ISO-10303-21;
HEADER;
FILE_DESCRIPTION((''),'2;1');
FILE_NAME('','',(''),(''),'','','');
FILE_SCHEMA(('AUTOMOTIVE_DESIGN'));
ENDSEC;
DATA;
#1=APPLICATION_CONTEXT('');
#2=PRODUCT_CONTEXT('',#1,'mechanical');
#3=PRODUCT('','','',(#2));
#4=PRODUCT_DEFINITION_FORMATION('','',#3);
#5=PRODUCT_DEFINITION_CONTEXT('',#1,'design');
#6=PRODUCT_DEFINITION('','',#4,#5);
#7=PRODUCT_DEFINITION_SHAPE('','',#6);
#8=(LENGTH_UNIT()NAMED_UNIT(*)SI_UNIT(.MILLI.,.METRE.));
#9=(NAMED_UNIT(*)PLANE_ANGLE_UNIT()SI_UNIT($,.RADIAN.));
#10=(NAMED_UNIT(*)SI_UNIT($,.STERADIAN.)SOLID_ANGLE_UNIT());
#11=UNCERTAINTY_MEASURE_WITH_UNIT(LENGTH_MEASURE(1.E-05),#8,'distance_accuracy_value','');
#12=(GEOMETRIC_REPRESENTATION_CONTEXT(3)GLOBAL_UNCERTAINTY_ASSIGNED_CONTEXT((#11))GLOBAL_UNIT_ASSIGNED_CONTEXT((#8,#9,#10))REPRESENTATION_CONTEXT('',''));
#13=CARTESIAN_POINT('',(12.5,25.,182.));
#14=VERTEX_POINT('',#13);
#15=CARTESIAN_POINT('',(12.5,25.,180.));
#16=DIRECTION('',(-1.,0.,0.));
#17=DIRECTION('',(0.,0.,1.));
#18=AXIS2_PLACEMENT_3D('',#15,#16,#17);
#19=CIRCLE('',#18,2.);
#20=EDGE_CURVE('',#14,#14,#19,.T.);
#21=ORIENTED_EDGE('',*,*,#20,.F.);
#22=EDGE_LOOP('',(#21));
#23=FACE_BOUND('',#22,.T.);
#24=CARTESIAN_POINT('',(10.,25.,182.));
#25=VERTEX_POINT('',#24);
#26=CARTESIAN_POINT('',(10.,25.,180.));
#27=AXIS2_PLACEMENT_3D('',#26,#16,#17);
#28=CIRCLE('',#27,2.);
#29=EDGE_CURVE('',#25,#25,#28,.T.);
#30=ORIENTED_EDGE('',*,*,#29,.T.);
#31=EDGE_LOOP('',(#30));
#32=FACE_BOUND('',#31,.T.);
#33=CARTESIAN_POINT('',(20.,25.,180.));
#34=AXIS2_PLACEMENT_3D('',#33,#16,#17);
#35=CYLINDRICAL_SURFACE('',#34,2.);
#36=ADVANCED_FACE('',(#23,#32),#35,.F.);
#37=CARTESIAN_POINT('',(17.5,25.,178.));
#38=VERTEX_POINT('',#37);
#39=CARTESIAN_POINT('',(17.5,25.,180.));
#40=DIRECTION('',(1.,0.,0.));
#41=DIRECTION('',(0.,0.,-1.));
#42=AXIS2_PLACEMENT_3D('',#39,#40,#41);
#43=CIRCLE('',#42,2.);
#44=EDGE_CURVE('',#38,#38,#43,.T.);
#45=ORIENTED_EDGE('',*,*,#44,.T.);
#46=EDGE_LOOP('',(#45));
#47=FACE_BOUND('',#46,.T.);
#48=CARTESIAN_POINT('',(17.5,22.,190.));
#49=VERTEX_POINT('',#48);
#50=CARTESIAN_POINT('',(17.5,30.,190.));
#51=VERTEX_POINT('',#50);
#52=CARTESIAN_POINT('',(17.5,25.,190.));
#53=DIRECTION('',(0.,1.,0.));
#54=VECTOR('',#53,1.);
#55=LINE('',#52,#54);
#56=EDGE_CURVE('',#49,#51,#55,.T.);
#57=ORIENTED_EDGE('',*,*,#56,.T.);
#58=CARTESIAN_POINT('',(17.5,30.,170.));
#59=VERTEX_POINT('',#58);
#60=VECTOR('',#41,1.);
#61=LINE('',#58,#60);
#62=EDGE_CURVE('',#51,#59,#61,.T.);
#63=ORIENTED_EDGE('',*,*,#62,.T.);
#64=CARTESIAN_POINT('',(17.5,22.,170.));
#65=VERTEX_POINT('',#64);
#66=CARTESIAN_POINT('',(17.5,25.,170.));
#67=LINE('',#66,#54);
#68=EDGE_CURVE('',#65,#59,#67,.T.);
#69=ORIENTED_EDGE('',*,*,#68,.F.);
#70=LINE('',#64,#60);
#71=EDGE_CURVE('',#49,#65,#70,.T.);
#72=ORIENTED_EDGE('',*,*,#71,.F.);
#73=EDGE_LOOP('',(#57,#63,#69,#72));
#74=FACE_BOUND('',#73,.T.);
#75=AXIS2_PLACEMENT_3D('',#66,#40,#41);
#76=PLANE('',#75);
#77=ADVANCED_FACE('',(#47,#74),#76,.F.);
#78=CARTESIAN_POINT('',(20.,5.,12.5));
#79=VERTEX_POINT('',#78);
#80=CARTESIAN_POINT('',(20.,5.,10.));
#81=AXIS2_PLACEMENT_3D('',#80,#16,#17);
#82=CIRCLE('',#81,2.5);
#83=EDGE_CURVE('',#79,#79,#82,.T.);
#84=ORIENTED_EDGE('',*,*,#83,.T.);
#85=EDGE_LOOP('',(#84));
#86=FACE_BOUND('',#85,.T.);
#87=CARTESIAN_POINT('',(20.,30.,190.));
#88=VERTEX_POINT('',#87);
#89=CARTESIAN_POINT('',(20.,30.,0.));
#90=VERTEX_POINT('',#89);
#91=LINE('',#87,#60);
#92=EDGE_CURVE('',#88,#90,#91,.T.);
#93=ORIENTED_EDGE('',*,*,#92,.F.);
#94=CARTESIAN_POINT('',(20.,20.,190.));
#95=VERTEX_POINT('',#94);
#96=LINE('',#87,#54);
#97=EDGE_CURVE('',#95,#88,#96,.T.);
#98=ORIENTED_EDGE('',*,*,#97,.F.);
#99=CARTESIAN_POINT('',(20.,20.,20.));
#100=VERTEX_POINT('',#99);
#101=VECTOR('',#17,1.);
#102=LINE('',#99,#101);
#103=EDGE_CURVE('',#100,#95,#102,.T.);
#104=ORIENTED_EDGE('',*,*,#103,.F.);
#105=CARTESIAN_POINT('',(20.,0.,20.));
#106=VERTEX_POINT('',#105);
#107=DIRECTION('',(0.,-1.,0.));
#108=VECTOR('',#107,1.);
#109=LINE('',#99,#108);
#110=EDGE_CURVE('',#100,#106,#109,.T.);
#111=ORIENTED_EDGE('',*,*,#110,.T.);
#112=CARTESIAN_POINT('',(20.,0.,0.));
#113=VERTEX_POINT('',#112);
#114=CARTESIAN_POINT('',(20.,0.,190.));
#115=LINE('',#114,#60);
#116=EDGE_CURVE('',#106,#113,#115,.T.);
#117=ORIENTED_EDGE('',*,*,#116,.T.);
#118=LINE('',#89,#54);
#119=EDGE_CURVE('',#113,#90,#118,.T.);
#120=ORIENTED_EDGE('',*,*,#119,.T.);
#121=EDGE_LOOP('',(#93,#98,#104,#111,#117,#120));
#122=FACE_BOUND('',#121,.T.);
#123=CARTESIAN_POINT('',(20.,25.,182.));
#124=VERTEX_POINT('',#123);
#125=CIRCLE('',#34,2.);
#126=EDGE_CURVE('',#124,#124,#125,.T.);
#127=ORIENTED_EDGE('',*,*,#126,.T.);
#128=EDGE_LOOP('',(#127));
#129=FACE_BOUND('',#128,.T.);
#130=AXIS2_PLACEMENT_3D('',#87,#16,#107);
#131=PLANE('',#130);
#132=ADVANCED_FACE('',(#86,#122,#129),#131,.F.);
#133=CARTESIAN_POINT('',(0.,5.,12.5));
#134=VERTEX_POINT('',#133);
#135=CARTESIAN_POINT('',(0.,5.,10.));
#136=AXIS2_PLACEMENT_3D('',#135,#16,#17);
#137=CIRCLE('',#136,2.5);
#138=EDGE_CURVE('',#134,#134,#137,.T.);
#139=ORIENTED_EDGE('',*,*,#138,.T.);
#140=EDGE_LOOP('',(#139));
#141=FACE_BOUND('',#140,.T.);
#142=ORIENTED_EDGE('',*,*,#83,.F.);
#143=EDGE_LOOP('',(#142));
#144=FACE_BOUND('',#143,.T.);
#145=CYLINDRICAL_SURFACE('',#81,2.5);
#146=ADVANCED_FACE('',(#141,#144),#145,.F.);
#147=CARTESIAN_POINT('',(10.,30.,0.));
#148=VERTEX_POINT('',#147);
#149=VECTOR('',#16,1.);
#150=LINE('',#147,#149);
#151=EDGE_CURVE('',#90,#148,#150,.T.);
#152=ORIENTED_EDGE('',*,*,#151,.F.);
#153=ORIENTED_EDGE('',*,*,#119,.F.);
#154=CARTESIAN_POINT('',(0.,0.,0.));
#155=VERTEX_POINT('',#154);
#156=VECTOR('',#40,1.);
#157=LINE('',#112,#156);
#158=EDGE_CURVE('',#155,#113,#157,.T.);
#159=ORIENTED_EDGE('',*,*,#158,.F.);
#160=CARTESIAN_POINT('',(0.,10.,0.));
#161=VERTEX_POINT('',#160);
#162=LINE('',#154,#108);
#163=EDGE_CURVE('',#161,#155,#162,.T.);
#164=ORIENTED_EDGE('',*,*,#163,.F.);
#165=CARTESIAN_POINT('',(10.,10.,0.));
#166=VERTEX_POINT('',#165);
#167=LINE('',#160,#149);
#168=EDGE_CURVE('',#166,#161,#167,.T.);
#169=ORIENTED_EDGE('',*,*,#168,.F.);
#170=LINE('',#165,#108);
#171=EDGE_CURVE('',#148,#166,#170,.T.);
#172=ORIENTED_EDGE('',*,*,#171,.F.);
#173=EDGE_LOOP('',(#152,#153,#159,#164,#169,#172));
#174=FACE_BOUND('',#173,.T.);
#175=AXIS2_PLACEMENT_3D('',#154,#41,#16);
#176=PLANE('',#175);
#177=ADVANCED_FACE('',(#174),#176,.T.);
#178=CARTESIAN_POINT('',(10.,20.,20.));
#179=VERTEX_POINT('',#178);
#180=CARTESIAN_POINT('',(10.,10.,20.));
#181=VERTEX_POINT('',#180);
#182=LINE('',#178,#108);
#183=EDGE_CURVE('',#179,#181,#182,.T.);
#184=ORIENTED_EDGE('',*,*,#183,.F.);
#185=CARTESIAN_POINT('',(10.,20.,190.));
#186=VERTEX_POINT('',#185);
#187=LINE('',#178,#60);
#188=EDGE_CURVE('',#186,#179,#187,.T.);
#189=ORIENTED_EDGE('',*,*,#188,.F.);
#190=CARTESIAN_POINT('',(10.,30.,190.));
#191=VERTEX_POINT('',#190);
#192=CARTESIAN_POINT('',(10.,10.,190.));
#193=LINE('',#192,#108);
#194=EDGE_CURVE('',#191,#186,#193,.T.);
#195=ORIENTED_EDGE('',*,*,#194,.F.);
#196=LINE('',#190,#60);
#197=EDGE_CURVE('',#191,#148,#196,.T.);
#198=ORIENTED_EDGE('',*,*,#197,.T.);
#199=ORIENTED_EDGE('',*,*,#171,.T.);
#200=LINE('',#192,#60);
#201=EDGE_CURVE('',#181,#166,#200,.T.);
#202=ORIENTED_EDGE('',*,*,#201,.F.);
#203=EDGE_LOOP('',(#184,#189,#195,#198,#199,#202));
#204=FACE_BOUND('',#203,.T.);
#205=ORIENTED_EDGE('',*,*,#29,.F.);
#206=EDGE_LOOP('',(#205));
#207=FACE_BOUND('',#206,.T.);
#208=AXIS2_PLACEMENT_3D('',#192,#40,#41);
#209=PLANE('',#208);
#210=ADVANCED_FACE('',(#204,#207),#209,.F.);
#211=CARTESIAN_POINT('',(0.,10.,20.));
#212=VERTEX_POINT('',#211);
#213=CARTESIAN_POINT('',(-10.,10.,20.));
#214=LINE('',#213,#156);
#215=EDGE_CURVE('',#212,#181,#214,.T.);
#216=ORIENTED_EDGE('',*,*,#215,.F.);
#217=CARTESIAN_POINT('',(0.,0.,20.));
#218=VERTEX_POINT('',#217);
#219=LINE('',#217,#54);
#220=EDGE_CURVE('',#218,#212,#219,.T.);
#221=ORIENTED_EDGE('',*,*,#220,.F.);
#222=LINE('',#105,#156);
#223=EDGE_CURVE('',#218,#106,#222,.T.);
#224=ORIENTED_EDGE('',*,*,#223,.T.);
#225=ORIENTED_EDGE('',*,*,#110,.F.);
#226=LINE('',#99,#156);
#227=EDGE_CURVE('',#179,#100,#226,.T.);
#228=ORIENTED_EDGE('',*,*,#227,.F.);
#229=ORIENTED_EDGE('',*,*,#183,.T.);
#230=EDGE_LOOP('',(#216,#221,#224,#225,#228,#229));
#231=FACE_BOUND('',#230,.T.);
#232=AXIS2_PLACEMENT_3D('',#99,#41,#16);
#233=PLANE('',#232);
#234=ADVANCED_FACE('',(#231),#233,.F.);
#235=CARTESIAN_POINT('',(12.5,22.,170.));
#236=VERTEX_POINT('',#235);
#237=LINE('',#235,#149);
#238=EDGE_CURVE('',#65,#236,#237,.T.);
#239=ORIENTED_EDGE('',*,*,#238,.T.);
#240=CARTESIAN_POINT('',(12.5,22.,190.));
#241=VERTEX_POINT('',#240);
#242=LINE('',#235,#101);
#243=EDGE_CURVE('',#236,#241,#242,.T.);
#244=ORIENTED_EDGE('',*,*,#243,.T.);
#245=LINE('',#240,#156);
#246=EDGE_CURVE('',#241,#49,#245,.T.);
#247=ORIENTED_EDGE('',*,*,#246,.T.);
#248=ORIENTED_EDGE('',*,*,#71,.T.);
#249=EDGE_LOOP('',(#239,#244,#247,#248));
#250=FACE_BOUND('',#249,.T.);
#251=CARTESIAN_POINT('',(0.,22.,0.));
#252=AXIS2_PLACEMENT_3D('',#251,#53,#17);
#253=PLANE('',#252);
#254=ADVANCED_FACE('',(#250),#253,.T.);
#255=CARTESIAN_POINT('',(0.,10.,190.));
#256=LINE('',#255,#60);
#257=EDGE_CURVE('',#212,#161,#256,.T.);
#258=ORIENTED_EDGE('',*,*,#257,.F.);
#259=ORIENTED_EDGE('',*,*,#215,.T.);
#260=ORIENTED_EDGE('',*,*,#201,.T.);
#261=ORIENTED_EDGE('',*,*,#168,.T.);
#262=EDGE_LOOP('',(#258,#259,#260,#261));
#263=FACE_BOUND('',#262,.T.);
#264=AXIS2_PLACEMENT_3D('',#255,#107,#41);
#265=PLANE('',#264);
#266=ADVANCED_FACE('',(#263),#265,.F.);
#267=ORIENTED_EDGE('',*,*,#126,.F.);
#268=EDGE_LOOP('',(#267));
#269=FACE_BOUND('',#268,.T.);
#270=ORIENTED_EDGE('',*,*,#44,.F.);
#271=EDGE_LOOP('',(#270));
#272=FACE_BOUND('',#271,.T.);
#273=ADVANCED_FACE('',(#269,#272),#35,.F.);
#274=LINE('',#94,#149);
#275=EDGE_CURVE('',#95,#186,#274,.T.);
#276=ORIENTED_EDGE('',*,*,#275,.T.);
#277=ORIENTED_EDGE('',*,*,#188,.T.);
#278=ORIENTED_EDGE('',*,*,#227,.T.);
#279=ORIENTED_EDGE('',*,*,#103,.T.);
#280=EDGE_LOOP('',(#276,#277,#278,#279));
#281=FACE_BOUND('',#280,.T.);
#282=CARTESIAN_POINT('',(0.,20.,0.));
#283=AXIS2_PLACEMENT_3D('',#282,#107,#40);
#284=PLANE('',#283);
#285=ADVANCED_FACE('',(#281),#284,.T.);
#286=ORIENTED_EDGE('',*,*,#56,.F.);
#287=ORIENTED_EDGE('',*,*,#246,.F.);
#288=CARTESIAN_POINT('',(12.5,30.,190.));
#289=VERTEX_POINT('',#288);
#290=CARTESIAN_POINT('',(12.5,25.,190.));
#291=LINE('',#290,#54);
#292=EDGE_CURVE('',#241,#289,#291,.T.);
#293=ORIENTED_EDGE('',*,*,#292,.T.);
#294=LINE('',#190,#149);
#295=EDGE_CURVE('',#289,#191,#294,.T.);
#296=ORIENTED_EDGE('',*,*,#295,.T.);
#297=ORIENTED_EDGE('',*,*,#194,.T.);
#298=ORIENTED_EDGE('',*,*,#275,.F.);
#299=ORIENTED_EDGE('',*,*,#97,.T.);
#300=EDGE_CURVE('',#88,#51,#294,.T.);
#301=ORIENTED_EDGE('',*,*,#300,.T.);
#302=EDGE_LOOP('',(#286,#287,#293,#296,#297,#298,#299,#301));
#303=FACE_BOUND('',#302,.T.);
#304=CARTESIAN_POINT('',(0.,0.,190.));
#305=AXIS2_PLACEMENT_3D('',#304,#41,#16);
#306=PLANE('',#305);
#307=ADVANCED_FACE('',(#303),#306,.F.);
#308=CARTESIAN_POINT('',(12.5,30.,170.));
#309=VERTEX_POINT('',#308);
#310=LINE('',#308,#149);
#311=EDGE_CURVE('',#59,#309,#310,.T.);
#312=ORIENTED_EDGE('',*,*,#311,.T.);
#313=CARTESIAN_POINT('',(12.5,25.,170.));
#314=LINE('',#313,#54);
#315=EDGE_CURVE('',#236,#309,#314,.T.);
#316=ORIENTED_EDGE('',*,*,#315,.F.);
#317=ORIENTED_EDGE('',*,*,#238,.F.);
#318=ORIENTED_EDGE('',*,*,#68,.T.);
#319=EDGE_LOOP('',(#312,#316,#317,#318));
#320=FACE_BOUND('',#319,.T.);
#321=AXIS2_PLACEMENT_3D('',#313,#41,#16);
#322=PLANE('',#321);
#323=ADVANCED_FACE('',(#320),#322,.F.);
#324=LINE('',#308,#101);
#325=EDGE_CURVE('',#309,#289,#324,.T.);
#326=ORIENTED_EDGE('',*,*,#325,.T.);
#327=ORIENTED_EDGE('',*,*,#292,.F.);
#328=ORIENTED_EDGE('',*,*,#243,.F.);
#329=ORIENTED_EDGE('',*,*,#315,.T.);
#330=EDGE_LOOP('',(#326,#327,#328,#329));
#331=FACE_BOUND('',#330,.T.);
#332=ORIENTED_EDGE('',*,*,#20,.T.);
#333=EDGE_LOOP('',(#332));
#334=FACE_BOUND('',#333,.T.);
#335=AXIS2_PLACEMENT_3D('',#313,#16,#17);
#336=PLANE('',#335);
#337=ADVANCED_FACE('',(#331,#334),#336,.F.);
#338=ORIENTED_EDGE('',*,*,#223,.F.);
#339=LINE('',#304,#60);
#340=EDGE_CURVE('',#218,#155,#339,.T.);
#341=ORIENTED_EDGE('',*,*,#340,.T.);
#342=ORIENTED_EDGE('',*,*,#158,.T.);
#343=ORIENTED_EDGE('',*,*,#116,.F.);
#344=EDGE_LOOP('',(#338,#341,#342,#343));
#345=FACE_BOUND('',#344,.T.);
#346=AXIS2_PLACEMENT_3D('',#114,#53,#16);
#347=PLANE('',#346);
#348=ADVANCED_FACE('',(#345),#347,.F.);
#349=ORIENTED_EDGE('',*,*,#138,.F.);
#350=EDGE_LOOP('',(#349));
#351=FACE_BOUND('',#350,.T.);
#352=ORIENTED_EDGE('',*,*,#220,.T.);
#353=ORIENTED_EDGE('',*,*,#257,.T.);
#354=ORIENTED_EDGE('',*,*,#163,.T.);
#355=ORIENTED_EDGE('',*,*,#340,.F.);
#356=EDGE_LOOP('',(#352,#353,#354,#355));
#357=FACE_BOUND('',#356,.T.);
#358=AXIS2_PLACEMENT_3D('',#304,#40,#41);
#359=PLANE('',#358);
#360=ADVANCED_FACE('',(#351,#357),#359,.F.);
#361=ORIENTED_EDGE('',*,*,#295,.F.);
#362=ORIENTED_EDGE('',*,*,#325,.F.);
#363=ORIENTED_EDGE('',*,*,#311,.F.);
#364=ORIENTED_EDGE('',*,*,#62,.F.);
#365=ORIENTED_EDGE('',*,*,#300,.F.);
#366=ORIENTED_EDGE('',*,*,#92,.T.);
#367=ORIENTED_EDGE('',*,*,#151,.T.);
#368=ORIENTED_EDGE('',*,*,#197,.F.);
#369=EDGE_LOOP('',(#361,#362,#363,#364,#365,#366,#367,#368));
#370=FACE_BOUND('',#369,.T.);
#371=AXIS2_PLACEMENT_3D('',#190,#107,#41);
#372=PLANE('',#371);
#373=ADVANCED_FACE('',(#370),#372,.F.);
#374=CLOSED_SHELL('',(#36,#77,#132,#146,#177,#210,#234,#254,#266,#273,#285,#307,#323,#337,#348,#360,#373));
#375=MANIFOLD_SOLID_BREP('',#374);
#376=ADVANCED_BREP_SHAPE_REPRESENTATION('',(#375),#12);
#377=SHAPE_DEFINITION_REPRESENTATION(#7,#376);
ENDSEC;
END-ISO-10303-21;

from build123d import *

# Parameters (mm, degrees)
BOSS_EXTRUDE1_DEPTH = 190
SKETCH3_W           = 10
SKETCH3_H           = 170
CUT_EXTRUDE2_DEPTH  = 20
SKETCH4_W           = 170
SKETCH4_H           = 10
CUT_EXTRUDE3_DEPTH  = 20
SKETCH5_R           = 2.75
CUT_EXTRUDE4_DEPTH  = 10
SKETCH6_W           = 5
SKETCH6_H           = 20
CUT_EXTRUDE5_DEPTH  = 5
BOSS_EXTRUDE2_REACH = 195.391
SKETCH9_R           = 2.75
SKETCH9_R_2         = 2.5
SKETCH10_R          = 2.5
CUT_EXTRUDE6_DEPTH  = 194.390796058
SKETCH11_W          = 5
SKETCH11_H          = 20
CUT_EXTRUDE7_DEPTH  = 3
SKETCH12_R          = 2
CUT_EXTRUDE8_DEPTH  = 193.613602843


with BuildPart() as part:
    # Sketch2 → Boss-Extrude1 (new body)
    with BuildSketch(Plane.XY):
        Polygon((0, 0), (0, 10), (10, 10), (10, 30), (20, 30), (20, 0), align=None)
    extrude(amount=BOSS_EXTRUDE1_DEPTH)

    # Sketch3 → Cut-Extrude2 (cut)
    with BuildSketch(Plane.XZ):
        with Locations((15, 105)):
            Rectangle(SKETCH3_W, SKETCH3_H)
    extrude(amount=-CUT_EXTRUDE2_DEPTH, mode=Mode.SUBTRACT)

    # Sketch4 → Cut-Extrude3 (cut)
    with BuildSketch(Plane(origin=(10, 0, 0), x_dir=(0, 0, -1), z_dir=(1, 0, 0))):
        with Locations((-105, 5)):
            Rectangle(SKETCH4_W, SKETCH4_H)
    extrude(amount=-CUT_EXTRUDE3_DEPTH, mode=Mode.SUBTRACT)

    # Sketch5 → Cut-Extrude4 (cut)
    with BuildSketch(Plane.ZY):
        with Locations((10, 5)):
            Circle(SKETCH5_R)
    extrude(amount=-CUT_EXTRUDE4_DEPTH, mode=Mode.SUBTRACT)

    # Sketch6 → Cut-Extrude5 (cut)
    with BuildSketch(Plane(origin=(0, 30, 0), x_dir=(1, 0, 0), z_dir=(0, 1, 0))):
        with Locations((15, -180)):
            Rectangle(SKETCH6_W, SKETCH6_H)
    extrude(amount=-CUT_EXTRUDE5_DEPTH, mode=Mode.SUBTRACT)

    # Sketch9 → Boss-Extrude2 (add, up to next)
    with BuildSketch(Plane.ZY, mode=Mode.PRIVATE) as boss_extrude2_sk1:
        with Locations((10, 5)):
            Circle(SKETCH9_R)
        with Locations((10, 5)):
            Circle(SKETCH9_R_2, mode=Mode.SUBTRACT)
    boss_extrude2_tool1 = extrude(boss_extrude2_sk1.sketch, amount=-BOSS_EXTRUDE2_REACH, mode=Mode.PRIVATE) - part.part
    add(boss_extrude2_tool1.solids().sort_by_distance((0, 5, 7.327782))[0])

    # Sketch10 → Cut-Extrude6 (cut, through all)
    with BuildSketch(Plane.ZY):
        with Locations((10, 5)):
            Circle(SKETCH10_R)
    extrude(amount=-CUT_EXTRUDE6_DEPTH, mode=Mode.SUBTRACT)

    # Sketch11 → Cut-Extrude7 (cut)
    with BuildSketch(Plane(origin=(0, 25, 0), x_dir=(1, 0, 0), z_dir=(0, 1, 0))):
        with Locations((15, -180)):
            Rectangle(SKETCH11_W, SKETCH11_H)
    extrude(amount=-CUT_EXTRUDE7_DEPTH, mode=Mode.SUBTRACT)

    # Sketch12 → Cut-Extrude8 (cut, through all)
    with BuildSketch(Plane.ZY.offset(-10)):
        with Locations((180, 25)):
            Circle(SKETCH12_R)
    extrude(amount=-CUT_EXTRUDE8_DEPTH, mode=Mode.SUBTRACT)


solid = part.part
